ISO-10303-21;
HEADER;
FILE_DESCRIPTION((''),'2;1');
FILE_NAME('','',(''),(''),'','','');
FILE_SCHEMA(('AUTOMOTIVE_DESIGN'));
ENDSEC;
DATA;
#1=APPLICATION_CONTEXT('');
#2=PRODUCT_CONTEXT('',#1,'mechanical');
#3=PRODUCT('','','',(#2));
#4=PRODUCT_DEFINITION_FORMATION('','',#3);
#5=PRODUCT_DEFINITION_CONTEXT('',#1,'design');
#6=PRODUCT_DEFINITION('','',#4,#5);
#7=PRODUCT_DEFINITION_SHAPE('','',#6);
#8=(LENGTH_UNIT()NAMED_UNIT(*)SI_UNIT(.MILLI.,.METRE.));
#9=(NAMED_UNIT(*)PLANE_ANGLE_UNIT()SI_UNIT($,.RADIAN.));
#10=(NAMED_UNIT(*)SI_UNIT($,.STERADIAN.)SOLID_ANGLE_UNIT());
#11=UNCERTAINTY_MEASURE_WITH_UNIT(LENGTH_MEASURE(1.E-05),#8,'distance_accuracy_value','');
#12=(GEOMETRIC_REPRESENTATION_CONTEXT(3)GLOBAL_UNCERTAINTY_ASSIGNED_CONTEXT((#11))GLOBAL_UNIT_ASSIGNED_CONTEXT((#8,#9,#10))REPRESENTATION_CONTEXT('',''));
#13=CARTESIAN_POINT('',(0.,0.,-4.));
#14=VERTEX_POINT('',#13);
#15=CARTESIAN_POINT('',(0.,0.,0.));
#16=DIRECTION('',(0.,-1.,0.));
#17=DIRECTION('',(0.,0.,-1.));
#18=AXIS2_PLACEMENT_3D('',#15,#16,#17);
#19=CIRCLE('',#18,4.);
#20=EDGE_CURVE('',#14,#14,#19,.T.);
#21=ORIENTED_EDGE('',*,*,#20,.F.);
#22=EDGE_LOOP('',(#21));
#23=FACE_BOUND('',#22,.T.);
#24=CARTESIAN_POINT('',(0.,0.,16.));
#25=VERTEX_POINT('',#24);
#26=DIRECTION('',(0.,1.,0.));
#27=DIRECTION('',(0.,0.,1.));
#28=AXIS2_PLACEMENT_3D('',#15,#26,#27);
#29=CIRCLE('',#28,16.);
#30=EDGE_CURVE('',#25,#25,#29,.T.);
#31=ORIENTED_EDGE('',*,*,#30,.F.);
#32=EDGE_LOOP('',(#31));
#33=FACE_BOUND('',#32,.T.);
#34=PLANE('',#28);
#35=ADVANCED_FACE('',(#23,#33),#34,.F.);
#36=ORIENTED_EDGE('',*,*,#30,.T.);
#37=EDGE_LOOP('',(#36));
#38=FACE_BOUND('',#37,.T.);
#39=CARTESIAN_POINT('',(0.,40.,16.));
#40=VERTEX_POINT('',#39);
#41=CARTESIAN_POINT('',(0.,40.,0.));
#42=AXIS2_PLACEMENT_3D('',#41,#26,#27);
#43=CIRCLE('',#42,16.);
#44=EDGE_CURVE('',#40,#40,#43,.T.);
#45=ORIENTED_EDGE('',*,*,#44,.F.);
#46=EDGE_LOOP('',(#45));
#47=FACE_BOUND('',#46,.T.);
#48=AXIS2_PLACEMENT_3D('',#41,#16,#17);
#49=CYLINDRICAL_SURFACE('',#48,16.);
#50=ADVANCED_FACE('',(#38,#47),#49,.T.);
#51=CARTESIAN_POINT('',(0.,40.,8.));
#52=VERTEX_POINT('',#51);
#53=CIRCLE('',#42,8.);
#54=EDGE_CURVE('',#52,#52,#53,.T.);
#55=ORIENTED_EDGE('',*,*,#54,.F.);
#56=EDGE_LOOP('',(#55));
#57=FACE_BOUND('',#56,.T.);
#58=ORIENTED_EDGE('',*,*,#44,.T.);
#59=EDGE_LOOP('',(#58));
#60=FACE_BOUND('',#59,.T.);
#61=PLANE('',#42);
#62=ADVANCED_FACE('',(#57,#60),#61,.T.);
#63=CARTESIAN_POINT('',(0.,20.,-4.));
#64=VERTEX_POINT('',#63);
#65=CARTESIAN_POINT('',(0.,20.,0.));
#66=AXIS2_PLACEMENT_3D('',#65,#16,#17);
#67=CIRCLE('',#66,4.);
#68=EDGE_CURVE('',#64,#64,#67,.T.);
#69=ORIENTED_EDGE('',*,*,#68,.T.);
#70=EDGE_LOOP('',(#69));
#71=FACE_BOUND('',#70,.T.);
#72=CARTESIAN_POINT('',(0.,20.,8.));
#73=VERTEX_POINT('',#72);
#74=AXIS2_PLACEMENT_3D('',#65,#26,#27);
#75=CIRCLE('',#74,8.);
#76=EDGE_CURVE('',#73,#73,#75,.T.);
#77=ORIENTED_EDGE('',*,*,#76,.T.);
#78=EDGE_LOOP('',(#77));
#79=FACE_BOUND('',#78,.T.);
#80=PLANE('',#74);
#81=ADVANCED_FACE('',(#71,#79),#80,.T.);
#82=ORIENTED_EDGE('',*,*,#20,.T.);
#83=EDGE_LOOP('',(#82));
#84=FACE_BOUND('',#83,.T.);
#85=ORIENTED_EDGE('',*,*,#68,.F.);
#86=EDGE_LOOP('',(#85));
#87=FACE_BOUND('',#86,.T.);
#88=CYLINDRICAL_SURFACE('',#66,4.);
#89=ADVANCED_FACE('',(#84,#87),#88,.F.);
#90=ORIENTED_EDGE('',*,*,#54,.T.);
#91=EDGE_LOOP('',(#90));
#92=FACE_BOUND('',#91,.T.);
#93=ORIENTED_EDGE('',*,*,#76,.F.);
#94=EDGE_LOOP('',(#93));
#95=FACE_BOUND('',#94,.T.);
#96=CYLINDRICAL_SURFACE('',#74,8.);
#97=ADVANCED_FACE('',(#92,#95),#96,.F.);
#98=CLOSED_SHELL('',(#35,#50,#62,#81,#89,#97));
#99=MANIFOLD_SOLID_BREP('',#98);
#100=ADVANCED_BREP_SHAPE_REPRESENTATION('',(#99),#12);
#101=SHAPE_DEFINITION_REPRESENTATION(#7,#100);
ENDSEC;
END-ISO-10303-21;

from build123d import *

# Parameters (mm, degrees)
SKETCH_1_R          = 16
EXTRUDE_1_DEPTH     = 40
SKETCH_2_R          = 8
CUT_EXTRUDE_1_DEPTH = 20
SKETCH_3_R          = 4
CUT_EXTRUDE_2_DEPTH = 20


with BuildPart() as part:
    # 草图1 → 凸台-拉伸1 (new body)
    with BuildSketch(Plane(origin=(0, 0, 0), x_dir=(1, 0, 0), z_dir=(0, 1, 0))):
        with Locations(Location((0, 0, 0), (0, 0, 270))):
            Circle(SKETCH_1_R)
    extrude(amount=EXTRUDE_1_DEPTH)

    # 草图2 → 切除-拉伸1 (cut)
    with BuildSketch(Plane(origin=(0, 40, 0), x_dir=(1, 0, 0), z_dir=(0, 1, 0))):
        with Locations(Location((0, 0, 0), (0, 0, 270))):
            Circle(SKETCH_2_R)
    extrude(amount=-CUT_EXTRUDE_1_DEPTH, mode=Mode.SUBTRACT)

    # 草图3 → 切除-拉伸2 (cut)
    with BuildSketch(Plane.XZ):
        with Locations(Location((0, 0, 0), (0, 0, 270))):
            Circle(SKETCH_3_R)
    extrude(amount=-CUT_EXTRUDE_2_DEPTH, mode=Mode.SUBTRACT)


solid = part.part
